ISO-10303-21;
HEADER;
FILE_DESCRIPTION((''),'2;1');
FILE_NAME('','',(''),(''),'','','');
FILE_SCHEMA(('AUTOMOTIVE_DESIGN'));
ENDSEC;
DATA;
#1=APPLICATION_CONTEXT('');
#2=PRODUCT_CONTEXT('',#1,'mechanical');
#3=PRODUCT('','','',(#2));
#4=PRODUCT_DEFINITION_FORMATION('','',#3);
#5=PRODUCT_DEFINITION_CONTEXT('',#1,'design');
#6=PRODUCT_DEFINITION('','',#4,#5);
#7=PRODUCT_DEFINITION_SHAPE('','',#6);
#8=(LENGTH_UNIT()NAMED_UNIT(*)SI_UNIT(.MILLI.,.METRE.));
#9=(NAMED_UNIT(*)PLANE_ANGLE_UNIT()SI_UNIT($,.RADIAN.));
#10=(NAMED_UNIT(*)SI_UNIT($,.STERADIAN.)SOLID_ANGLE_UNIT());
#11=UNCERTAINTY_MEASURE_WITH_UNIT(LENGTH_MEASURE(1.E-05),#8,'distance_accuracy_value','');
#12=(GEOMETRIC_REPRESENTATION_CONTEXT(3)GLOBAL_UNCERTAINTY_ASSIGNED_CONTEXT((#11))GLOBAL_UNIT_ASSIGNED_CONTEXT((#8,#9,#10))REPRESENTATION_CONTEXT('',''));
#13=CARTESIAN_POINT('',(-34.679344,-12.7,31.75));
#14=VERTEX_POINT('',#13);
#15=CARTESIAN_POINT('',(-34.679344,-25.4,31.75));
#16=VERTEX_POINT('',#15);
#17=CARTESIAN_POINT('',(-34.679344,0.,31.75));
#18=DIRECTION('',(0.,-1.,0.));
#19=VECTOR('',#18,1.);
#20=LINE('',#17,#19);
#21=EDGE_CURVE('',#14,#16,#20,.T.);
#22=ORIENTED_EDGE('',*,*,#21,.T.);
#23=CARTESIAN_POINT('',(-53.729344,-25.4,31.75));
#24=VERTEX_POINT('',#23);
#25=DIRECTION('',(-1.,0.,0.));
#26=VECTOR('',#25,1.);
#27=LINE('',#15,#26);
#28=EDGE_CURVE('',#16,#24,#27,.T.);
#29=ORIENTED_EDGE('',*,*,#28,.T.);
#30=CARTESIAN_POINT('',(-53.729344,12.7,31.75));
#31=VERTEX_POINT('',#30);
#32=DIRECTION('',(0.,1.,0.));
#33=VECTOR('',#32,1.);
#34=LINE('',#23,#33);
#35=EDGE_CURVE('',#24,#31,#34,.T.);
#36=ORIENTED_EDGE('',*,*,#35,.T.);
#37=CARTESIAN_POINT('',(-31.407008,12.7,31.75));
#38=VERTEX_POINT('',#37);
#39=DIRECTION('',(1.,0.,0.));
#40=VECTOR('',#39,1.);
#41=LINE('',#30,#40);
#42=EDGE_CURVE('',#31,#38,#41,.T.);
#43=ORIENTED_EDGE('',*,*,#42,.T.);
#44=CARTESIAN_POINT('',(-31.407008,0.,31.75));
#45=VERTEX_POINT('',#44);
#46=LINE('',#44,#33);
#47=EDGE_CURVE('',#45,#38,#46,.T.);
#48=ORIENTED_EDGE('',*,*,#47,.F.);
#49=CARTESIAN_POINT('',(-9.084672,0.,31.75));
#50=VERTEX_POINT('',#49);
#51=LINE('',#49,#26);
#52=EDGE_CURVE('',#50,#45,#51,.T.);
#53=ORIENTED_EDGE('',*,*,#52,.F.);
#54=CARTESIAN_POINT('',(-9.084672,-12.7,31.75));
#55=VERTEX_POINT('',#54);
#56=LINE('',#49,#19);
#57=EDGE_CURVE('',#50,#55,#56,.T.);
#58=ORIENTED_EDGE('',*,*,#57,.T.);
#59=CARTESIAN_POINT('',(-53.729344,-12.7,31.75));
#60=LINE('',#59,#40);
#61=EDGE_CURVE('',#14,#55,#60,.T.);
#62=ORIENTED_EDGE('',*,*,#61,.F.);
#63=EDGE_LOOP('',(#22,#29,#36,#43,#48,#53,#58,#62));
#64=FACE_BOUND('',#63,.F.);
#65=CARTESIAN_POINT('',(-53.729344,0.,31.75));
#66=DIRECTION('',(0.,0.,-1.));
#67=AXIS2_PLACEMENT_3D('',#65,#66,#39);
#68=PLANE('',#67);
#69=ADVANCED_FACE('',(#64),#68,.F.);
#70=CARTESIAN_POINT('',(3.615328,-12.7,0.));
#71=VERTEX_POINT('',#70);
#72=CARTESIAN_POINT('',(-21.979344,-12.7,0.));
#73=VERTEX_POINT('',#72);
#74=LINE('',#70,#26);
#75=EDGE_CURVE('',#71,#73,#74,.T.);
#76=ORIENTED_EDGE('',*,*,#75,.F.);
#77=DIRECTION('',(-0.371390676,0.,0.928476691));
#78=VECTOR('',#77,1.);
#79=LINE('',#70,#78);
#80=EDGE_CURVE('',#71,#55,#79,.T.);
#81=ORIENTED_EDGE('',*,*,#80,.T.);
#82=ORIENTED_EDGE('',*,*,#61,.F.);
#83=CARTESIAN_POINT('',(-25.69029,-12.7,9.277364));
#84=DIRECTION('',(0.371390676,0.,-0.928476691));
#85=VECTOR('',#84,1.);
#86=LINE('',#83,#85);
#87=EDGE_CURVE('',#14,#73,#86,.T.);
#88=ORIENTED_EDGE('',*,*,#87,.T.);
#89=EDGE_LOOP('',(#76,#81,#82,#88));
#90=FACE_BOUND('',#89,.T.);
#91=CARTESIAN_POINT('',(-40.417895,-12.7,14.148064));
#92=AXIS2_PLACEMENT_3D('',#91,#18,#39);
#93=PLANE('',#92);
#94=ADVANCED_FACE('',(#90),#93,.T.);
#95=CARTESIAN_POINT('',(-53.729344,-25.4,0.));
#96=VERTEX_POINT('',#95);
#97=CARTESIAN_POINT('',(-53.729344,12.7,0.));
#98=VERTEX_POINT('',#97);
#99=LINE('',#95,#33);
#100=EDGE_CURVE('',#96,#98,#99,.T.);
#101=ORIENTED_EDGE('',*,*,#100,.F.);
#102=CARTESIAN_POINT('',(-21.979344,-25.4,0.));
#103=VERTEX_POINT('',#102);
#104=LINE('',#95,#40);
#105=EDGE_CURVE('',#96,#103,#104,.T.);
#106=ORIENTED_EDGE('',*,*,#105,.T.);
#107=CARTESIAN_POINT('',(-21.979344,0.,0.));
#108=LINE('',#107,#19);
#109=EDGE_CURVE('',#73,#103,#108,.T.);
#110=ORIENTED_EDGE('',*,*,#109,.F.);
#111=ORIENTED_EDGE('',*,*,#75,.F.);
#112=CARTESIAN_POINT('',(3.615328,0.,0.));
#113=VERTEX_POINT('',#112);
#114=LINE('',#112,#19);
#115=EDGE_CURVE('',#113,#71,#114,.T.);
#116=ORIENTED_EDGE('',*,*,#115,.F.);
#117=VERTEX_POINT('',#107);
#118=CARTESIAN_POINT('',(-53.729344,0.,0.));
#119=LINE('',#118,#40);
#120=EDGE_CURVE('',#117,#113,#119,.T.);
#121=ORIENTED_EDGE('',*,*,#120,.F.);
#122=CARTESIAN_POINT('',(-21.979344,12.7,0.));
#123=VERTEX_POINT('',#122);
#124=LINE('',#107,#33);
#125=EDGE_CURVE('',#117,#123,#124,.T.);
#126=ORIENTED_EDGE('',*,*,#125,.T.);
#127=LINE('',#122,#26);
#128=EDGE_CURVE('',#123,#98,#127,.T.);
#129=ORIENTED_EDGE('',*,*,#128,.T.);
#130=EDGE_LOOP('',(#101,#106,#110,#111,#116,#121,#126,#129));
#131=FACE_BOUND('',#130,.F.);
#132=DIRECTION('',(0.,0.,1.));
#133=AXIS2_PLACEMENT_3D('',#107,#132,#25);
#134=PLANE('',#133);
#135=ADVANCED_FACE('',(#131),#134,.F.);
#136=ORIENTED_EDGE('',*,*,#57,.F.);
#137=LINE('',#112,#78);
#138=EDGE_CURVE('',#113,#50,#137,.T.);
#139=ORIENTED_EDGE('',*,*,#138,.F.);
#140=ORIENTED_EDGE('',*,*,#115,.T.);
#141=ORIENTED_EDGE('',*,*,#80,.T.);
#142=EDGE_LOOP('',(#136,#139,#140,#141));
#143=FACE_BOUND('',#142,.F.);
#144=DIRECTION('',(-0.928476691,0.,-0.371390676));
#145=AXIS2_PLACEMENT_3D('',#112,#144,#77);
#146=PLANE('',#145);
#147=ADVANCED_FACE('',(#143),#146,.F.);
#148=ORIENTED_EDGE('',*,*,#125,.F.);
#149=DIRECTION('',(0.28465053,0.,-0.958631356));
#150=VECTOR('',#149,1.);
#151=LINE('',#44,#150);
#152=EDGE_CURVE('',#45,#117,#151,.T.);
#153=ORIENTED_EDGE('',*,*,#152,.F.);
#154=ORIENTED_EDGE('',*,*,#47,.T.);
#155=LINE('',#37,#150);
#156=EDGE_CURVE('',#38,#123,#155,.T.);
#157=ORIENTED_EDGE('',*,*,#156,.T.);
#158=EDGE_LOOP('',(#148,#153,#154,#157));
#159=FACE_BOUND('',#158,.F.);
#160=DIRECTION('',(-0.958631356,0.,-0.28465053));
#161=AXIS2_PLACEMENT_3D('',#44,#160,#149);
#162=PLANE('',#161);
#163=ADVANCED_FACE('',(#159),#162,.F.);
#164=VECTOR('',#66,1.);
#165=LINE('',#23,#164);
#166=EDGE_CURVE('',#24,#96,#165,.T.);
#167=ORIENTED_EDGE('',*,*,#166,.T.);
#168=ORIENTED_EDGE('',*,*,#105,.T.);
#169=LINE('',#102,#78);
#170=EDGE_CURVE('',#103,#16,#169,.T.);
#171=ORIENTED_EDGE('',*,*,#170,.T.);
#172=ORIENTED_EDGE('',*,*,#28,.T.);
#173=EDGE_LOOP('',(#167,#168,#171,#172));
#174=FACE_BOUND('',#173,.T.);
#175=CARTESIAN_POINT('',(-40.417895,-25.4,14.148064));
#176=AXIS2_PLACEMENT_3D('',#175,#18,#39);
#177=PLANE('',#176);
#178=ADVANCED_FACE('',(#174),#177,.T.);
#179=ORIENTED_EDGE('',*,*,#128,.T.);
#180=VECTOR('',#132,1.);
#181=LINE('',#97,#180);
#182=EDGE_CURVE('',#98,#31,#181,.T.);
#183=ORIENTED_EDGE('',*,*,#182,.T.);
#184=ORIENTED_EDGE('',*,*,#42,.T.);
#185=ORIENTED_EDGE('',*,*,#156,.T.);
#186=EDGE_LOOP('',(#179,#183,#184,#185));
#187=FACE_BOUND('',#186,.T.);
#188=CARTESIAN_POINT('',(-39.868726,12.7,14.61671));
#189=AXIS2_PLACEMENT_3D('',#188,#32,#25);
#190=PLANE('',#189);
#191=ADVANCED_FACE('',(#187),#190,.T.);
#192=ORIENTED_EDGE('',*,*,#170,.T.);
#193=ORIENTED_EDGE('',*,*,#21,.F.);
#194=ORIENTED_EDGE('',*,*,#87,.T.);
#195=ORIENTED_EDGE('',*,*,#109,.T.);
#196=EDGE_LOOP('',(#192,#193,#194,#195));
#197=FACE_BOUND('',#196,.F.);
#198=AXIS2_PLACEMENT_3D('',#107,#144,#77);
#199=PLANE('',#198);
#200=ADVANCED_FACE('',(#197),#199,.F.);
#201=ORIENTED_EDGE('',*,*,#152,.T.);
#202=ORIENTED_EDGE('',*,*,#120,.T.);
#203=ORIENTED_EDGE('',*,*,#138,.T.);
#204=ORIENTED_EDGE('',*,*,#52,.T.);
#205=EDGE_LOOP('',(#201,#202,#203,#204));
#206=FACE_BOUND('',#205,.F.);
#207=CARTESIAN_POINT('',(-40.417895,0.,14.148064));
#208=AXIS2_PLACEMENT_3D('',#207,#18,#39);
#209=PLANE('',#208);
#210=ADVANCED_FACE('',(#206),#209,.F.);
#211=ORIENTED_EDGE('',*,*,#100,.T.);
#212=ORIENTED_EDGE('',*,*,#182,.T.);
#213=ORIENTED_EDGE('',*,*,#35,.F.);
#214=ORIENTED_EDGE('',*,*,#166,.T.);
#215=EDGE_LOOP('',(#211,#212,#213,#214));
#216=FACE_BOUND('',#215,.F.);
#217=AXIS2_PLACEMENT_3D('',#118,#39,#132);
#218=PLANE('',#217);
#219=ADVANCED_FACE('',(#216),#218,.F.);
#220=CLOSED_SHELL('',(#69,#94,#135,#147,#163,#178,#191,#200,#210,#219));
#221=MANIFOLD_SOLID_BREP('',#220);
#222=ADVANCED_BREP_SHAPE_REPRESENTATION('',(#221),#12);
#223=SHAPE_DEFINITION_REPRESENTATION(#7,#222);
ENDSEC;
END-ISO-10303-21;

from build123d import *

# Parameters (mm, degrees)
F1_DEPTH = 12.7
F3_DEPTH = 12.7
F5_DEPTH = 25.4
F7_DEPTH = 12.7


with BuildPart() as f1:
    # F0 (on Front) → F1 (new body)
    with BuildSketch(Plane.XZ):
        Polygon((-53.534672, 31.75), (-53.534672, 0), (3.615328, 0), (-9.084672, 31.75), align=None)
    extrude(amount=F1_DEPTH)

    # F2 (on Front) → F3 (join)
    with BuildSketch(Plane.XZ):
        Polygon((-53.729344, 31.75), (-53.729344, 0), (-21.979344, 0), (-34.679344, 31.75), align=None)
    extrude(amount=F3_DEPTH)

    # F4 (on Front) → F5 (join)
    with BuildSketch(Plane.XZ):
        Polygon((-53.729344, 31.75), (-53.729344, 0), (-21.979344, 0), (-34.679344, 31.75), align=None)
    extrude(amount=F5_DEPTH)

    # F6 (on face) → F7 (join)
    with BuildSketch(Plane(origin=(0, 0, 0), x_dir=(-1, 0, 0), z_dir=(0, 1, 0))):
        Polygon((21.979344, 0), (53.729344, 0), (53.729344, 31.75), (31.407008, 31.75), align=None)
    extrude(amount=F7_DEPTH)


solid = f1.part
